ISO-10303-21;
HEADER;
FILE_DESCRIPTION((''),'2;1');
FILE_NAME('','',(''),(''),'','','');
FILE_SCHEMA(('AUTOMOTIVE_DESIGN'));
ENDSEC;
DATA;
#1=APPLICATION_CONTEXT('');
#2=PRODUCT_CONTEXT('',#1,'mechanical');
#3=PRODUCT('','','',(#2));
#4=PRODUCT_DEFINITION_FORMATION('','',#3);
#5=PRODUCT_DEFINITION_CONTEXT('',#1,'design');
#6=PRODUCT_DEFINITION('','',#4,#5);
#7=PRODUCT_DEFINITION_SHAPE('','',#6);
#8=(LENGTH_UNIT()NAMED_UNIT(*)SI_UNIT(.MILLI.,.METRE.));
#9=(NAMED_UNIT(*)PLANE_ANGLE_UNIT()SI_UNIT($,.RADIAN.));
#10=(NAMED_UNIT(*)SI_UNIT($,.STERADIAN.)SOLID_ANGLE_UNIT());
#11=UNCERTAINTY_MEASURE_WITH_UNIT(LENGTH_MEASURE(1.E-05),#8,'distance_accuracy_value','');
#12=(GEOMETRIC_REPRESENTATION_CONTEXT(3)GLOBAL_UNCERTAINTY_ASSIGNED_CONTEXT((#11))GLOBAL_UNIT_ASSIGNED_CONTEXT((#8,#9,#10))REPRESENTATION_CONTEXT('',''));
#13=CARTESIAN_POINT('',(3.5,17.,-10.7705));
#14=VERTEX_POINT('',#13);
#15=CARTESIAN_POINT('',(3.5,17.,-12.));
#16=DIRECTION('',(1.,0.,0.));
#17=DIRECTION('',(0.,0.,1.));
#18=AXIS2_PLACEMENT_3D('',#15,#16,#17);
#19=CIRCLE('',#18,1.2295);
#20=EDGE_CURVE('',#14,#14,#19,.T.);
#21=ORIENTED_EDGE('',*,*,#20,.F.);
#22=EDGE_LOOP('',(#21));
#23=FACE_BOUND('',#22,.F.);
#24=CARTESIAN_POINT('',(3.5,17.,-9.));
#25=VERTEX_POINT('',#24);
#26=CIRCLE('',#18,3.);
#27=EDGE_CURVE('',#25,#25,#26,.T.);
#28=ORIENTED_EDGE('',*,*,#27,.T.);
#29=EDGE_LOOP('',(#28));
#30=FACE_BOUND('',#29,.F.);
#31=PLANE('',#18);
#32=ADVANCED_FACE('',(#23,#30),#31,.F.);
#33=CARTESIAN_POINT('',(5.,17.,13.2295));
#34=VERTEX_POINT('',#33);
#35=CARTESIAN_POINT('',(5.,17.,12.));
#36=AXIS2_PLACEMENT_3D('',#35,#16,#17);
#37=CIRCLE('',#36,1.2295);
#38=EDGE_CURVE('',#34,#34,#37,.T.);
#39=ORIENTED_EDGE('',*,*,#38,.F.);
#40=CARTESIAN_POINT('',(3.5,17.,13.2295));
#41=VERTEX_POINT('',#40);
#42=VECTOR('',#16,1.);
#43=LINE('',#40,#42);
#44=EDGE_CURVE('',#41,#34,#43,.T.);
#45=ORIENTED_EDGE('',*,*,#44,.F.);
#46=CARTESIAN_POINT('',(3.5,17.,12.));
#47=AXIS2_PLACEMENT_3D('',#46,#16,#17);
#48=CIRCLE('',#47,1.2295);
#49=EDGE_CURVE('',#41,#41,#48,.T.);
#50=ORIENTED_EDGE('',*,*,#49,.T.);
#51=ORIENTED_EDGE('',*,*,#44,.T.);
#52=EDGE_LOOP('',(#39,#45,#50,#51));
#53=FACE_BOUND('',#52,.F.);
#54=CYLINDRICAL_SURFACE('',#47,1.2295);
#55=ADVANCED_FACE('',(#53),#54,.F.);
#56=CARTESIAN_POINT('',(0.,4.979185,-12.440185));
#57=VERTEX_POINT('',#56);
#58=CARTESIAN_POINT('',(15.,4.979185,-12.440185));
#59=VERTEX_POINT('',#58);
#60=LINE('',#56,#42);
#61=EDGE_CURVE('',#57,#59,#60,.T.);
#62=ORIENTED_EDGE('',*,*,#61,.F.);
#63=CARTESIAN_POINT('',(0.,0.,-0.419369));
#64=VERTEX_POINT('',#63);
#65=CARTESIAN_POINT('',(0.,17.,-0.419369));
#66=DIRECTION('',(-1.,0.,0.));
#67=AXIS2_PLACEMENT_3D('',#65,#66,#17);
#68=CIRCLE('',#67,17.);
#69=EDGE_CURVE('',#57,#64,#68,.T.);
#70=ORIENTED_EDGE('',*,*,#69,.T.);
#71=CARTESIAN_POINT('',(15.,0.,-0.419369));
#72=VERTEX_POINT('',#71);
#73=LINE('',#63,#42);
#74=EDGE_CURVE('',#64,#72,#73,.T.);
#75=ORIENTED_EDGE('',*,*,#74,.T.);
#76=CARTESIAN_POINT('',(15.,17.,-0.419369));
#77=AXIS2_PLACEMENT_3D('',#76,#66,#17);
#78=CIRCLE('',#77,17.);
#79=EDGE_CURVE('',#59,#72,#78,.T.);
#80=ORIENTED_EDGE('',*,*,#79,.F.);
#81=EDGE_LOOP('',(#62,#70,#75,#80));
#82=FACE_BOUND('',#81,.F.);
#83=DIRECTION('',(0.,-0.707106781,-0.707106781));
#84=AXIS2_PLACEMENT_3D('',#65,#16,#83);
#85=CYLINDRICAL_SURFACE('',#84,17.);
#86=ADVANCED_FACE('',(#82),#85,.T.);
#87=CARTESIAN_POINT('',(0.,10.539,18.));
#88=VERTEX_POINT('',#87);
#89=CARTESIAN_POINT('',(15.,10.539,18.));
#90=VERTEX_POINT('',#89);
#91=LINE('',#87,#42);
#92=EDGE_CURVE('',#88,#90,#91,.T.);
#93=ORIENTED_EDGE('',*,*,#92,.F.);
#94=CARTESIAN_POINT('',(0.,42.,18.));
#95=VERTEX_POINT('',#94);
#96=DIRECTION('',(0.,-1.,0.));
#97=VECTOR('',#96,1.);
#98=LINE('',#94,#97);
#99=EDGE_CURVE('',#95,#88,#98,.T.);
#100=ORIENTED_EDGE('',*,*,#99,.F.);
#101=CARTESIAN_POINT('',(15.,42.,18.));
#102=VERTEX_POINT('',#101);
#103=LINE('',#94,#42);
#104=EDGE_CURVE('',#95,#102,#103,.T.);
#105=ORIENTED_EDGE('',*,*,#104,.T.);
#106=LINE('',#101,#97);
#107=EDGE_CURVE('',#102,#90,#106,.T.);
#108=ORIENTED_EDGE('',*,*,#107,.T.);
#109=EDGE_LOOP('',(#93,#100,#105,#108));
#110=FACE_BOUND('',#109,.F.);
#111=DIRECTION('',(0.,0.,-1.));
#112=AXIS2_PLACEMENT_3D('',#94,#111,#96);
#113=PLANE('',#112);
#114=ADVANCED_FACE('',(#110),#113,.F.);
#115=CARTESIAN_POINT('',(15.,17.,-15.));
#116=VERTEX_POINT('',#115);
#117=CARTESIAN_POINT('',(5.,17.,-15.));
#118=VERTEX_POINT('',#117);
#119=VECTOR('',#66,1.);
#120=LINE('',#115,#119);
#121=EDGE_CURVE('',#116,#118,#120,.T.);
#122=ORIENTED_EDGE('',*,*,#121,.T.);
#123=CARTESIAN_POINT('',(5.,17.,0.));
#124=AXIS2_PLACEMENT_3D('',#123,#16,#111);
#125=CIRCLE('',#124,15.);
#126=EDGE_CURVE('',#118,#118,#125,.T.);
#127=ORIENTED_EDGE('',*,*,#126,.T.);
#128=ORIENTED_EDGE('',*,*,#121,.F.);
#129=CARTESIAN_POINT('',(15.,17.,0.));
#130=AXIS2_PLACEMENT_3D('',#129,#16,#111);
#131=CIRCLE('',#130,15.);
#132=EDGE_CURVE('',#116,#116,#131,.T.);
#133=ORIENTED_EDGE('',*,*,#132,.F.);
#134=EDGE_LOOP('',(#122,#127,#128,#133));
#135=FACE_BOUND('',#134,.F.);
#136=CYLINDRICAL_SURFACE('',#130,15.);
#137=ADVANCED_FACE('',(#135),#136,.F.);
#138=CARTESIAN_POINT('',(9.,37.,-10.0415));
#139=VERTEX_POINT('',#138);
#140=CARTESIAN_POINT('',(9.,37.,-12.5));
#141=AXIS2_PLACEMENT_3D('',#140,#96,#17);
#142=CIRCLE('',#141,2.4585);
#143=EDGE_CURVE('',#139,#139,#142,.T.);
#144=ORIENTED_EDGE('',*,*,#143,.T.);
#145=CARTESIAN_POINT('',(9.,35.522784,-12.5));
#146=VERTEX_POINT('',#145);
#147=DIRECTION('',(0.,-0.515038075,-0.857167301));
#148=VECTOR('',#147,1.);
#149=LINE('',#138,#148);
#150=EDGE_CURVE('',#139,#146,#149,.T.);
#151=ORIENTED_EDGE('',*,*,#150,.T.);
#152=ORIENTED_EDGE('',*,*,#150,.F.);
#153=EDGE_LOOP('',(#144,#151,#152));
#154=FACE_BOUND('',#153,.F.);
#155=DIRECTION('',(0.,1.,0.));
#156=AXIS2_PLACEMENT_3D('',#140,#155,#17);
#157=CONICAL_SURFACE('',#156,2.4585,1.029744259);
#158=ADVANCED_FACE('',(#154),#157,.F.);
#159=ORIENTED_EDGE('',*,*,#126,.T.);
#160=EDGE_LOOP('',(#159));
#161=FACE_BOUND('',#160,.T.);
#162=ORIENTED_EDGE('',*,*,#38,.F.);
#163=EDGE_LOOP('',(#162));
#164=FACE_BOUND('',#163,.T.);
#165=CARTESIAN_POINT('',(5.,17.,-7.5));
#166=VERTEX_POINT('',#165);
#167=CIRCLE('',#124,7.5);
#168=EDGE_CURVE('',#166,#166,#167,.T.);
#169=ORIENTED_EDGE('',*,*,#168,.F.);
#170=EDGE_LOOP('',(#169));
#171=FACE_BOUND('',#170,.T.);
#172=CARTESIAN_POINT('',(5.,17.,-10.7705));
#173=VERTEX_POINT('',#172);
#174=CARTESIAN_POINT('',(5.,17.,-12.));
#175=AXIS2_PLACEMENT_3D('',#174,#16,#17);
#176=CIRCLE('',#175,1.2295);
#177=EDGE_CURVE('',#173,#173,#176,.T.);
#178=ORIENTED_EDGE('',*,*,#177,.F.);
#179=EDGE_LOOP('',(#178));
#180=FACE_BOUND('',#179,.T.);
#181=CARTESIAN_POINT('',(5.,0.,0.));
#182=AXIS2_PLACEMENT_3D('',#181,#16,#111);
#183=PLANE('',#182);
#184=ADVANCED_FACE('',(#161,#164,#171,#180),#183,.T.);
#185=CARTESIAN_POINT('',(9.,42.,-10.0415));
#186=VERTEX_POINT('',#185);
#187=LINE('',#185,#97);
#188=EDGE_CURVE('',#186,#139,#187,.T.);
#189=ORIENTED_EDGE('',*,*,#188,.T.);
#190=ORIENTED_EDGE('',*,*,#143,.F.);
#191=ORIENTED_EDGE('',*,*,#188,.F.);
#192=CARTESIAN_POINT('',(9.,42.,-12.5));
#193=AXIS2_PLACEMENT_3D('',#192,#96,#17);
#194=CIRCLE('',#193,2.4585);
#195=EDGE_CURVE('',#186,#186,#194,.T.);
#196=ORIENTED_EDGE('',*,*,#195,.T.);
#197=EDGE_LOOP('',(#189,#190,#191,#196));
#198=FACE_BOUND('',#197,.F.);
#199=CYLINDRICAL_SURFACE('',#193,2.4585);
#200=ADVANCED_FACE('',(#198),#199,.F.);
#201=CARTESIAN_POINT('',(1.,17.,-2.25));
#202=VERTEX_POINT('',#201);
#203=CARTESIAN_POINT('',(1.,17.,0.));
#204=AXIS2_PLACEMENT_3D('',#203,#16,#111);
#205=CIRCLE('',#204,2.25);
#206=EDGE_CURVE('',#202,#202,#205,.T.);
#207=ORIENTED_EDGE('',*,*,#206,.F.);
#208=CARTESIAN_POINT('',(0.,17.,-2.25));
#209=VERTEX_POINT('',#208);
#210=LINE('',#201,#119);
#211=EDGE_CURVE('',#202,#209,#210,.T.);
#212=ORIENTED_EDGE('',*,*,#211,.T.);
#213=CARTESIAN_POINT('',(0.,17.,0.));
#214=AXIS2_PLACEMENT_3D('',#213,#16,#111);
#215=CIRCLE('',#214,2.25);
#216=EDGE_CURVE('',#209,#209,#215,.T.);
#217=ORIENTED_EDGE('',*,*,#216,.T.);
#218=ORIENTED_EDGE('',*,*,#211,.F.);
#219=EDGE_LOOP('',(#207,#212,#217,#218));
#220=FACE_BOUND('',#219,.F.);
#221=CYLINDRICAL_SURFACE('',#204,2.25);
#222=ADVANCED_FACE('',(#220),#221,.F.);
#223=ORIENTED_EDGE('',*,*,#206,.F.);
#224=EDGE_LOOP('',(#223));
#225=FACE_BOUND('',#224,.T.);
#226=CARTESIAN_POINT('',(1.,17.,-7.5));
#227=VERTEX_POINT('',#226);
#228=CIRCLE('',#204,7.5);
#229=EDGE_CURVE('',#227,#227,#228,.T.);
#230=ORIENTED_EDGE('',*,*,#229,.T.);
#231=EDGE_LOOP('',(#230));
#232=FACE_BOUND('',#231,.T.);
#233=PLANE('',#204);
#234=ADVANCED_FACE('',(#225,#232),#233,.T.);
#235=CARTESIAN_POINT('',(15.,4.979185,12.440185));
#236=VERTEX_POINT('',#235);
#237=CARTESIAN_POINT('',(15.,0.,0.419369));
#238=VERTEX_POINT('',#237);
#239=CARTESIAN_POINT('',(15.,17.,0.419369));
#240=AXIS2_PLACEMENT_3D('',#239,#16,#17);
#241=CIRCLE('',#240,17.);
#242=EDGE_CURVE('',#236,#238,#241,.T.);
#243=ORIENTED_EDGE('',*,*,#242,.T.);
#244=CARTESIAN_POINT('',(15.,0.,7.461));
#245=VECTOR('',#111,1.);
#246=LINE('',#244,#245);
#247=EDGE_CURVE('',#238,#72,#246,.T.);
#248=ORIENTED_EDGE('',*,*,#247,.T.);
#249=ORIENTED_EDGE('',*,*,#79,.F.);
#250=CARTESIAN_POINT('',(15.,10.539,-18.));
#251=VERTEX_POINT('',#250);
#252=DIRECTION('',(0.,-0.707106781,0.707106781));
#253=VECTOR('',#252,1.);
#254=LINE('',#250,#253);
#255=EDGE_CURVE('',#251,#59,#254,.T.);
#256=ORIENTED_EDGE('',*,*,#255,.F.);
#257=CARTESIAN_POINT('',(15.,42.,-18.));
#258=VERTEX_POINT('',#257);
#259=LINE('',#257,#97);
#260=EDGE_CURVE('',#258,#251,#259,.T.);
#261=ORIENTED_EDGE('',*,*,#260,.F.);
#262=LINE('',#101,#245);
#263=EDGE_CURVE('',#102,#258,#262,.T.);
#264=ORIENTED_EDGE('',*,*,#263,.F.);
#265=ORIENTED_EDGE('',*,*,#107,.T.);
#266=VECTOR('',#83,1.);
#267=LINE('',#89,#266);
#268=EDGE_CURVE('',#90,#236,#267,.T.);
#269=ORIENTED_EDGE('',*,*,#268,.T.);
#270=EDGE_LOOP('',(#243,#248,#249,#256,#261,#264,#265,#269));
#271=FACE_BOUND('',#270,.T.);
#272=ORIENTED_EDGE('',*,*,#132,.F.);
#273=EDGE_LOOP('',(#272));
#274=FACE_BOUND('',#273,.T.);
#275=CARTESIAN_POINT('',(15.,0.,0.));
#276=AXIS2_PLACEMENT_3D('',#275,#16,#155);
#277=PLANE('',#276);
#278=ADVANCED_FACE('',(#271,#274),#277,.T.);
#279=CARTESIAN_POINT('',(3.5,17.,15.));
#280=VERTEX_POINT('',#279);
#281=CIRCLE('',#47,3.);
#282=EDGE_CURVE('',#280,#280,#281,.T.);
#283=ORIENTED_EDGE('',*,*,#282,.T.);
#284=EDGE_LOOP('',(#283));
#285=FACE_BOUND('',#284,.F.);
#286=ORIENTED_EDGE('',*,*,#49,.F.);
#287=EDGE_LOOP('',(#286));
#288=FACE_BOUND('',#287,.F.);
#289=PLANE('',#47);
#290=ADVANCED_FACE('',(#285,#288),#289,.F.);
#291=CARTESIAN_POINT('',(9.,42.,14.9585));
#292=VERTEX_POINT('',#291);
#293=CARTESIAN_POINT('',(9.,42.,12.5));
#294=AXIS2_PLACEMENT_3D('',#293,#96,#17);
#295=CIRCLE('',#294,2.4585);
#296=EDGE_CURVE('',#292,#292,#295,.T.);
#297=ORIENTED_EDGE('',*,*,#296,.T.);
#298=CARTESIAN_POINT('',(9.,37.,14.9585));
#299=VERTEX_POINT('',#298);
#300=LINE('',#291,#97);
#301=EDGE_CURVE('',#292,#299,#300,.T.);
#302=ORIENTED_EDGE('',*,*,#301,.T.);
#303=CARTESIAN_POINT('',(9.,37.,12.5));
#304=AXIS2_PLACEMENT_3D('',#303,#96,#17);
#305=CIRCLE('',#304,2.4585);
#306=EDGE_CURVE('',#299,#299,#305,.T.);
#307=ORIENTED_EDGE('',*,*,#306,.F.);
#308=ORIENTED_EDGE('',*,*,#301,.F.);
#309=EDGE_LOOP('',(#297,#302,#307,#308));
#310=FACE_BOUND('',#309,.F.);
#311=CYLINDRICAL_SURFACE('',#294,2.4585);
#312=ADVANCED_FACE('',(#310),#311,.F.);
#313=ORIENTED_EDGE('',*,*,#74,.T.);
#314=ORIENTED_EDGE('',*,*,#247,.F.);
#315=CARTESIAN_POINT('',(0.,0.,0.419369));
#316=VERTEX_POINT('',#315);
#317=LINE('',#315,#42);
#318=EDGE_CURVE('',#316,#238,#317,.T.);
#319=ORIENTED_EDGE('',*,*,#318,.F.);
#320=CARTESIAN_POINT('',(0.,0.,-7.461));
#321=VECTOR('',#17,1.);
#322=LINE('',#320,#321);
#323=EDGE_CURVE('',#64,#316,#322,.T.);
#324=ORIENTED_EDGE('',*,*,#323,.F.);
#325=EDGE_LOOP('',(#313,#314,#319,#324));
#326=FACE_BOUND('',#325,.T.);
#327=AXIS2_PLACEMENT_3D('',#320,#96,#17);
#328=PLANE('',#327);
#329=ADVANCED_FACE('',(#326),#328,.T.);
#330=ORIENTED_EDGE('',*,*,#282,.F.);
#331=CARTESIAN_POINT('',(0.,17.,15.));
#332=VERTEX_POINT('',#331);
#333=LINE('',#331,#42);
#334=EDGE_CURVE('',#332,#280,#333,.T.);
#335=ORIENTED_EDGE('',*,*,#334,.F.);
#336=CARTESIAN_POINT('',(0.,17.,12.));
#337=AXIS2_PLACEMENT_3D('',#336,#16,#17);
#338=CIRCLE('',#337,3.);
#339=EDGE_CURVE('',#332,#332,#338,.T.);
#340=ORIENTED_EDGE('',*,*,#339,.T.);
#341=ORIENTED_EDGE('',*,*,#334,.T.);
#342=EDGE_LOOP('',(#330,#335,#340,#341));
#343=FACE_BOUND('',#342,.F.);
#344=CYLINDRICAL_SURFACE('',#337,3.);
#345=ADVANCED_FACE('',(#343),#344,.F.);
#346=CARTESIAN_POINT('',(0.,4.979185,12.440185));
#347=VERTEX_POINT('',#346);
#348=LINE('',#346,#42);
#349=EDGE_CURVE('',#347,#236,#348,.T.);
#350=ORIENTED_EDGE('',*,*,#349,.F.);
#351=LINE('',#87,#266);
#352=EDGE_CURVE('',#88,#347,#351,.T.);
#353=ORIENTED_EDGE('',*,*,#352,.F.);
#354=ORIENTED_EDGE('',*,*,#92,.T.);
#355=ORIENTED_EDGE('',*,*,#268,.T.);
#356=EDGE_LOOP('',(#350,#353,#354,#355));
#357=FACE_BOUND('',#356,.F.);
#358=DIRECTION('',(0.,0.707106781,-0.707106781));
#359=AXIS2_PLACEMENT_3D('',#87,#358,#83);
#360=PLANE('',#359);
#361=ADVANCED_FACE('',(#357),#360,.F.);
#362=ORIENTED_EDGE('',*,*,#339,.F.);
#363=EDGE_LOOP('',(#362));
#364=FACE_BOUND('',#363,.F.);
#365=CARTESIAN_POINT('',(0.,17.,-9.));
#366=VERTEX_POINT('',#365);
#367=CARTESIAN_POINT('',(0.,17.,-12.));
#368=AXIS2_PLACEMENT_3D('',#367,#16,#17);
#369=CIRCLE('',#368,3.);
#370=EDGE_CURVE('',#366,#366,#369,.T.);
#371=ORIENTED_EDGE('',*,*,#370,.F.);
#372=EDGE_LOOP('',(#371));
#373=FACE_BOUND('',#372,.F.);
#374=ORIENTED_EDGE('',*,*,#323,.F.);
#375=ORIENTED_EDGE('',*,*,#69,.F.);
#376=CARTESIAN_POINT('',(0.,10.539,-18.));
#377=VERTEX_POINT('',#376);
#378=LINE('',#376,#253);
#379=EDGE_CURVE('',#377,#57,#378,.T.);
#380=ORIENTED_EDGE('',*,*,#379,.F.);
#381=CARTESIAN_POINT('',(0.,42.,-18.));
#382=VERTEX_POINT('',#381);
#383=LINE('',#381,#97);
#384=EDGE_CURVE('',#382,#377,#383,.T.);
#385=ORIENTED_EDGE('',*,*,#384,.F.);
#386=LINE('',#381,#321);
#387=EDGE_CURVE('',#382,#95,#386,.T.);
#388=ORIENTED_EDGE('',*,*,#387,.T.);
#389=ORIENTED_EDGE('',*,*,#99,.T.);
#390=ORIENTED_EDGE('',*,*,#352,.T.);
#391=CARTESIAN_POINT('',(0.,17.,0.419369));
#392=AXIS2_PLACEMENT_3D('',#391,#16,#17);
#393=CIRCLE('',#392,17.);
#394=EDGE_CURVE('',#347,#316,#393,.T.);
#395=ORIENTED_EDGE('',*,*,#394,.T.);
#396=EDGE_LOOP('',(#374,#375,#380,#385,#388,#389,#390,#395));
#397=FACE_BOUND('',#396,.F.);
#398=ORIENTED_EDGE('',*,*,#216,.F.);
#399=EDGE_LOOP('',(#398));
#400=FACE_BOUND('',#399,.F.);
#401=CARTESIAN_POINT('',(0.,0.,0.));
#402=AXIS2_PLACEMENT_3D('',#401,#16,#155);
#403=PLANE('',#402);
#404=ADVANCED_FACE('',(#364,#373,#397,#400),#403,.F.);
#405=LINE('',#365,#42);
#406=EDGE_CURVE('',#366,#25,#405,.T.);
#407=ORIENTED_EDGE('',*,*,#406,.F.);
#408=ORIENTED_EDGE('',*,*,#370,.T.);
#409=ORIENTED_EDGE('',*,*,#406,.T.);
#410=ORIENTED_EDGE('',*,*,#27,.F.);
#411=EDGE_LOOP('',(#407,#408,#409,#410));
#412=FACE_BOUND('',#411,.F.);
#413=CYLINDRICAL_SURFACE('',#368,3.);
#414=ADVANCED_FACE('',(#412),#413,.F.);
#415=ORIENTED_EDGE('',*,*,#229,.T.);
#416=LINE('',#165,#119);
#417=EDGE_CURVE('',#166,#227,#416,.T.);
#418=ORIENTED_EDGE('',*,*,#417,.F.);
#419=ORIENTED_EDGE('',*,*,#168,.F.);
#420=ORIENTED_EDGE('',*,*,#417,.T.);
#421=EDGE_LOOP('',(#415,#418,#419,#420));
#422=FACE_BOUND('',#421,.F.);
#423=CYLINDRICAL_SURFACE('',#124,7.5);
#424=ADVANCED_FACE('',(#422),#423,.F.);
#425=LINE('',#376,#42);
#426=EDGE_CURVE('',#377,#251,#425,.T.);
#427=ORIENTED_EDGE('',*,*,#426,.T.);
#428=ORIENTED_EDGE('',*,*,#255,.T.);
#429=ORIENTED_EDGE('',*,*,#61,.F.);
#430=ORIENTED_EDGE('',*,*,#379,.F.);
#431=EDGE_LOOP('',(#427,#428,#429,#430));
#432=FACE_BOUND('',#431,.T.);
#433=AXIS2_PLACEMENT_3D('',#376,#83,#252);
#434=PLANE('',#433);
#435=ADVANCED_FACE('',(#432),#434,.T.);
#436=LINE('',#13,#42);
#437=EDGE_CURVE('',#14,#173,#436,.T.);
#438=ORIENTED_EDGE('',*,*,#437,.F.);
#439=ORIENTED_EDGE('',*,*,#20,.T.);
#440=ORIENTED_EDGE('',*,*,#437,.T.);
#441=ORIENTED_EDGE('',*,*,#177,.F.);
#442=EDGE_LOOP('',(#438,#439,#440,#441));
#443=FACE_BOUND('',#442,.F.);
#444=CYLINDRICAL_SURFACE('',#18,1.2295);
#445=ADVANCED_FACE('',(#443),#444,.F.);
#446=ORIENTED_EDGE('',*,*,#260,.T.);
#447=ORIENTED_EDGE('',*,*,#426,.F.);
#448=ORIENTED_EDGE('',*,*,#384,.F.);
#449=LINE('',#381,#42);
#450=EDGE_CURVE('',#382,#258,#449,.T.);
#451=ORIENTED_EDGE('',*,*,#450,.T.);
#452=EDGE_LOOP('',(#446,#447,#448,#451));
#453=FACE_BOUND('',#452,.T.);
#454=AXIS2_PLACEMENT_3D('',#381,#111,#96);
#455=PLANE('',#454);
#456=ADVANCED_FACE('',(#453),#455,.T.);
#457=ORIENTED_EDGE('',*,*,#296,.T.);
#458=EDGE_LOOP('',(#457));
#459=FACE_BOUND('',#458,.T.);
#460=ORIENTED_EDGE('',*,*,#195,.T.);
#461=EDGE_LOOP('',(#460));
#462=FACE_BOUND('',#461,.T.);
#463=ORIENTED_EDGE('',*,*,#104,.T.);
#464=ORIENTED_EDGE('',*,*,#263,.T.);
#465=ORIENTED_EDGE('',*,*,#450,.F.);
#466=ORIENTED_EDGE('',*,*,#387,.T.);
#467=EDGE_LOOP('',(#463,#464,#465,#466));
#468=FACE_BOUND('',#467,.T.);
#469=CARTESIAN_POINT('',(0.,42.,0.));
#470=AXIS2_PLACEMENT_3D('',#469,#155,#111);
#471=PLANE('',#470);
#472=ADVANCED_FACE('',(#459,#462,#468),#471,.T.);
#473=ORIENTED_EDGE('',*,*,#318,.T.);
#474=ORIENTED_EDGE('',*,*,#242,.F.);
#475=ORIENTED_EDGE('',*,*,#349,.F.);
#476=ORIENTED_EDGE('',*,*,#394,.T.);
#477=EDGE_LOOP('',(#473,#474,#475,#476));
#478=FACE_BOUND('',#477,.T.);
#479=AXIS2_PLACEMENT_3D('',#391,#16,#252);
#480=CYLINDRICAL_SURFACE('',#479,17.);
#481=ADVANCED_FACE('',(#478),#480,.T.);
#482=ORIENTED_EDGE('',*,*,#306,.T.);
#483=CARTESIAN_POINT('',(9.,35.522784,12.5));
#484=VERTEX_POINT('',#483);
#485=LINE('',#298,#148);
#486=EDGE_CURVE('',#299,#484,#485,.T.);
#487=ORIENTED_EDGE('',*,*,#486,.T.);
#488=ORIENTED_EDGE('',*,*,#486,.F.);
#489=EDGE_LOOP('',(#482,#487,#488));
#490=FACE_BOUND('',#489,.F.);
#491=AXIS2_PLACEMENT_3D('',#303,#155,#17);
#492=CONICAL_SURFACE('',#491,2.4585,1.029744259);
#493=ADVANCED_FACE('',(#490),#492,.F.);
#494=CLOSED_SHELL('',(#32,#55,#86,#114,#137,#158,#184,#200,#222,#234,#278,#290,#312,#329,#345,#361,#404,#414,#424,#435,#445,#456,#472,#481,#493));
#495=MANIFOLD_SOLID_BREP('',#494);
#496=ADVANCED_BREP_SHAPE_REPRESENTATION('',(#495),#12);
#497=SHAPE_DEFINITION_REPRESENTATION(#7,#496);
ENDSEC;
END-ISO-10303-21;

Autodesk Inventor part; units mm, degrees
ref_plane "YZ Plane" through (0, 0, 0) normal (1, 0, 0) x (0, 1, 0)
ref_plane "XZ Plane" through (0, 0, 0) normal (0, 1, 0) x (-1, 0, 0)
ref_plane "XY Plane" through (0, 0, 0) normal (0, 0, 1) x (1, 0, 0)
sketch "Sketch1" plane through (0, 0, 0) normal (1, 0, 0) x (0, 1, 0)
  circle A0 centre (17, 0) radius 15 construction
  line L0 (42, 0) -> (42, 18)
  line L1 (42, 18) -> (10.539, 18)
  line L2 (10.539, 18) -> (0, 7.461)
  line L3 (0, 7.461) -> (0, 0)
  line L4 (42, 0) -> (0, 0) construction
  line L5 (42, 0) -> (42, -18)
  line L6 (42, -18) -> (10.539, -18)
  line L7 (10.539, -18) -> (0, -7.461)
  line L8 (0, -7.461) -> (0, 0)
  line L9 (0, 15.5075) -> (0, -16.6542) construction
  dimension "d0" = 30
  dimension "d1" = 17
  dimension "d2" = 25
  dimension "d3" = 18
  dimension "d5" = 135
extrude "Extrusion1" add sketch "Sketch1" along normal blind 15
sketch "Sketch2" plane through (15, 0, 0) normal (1, 0, 0) x (0, 0, -1)
  circle A0 centre (0, 17) radius 15
  point P0 (0, 0)
  dimension "d8" = 30
  dimension "d9" = 17
extrude "Extrusion2" cut sketch "Sketch2" against normal blind 10
sketch "Sketch3" plane through (5, 17, 0) normal (1, 0, 0) x (0, 0, -1)
  circle A0 centre (0, 0) radius 7.5
  point P0 (0, -17)
  dimension "d12" = 15
extrude "Extrusion3" cut sketch "Sketch3" against normal blind 4
sketch "Sketch4" plane through (1, 17, 0) normal (1, 0, 0) x (0, 0, -1)
  circle A0 centre (0, 0) radius 7.5 projected
  circle A1 centre (0, 0) radius 2.25
  point P0 (0, -17)
  dimension "d15" = 4.5
extrude "Extrusion4" cut sketch "Sketch4" against normal up to next contours A1
sketch "Sketch5" plane through (0, 0, 0) normal (-1, 0, 0) x (0, 0, 1)
  circle A0 centre (0, 17) radius 2.25 projected
  circle A1 centre (0, 17) radius 12 construction
  point P0 (0, 0)
  point P1 (-12, 17)
  point P2 (12, 17)
  dimension "d18" = 24
hole "Hole1" at (0, 17, -12) at (0, 17, 12) direction (1, 0, 0) diameter 2.459 end through all counterbore diameter 6 counterbore depth 3.5
sketch "Sketch6" plane through (0, 42, 18) normal (0, 1, 0) x (1, 0, 0)
  line L0 (0, 18) -> (15, 18) construction
  line L1 (15, 10.539) -> (15, 25.461) construction
  line L2 (15, 36) -> (15, 0) construction
  point P0 (9, 5.5)
  point P1 (9, 30.5)
  dimension "d26" = 12.5
  dimension "d27" = 6
hole "Hole2" at (9, 42, 12.5) at (9, 42, -12.5) direction (0, -1, 0) diameter 4.917 depth 5 tip angle 118 thread size "M6x1" class "6H" standard "ISO Metric profile"
fillet "Fillet1" radius 17 2 edges at (7.5, 0, -7.461) (7.5, 0, 7.461)
properties part number "Porte_encodeur"
